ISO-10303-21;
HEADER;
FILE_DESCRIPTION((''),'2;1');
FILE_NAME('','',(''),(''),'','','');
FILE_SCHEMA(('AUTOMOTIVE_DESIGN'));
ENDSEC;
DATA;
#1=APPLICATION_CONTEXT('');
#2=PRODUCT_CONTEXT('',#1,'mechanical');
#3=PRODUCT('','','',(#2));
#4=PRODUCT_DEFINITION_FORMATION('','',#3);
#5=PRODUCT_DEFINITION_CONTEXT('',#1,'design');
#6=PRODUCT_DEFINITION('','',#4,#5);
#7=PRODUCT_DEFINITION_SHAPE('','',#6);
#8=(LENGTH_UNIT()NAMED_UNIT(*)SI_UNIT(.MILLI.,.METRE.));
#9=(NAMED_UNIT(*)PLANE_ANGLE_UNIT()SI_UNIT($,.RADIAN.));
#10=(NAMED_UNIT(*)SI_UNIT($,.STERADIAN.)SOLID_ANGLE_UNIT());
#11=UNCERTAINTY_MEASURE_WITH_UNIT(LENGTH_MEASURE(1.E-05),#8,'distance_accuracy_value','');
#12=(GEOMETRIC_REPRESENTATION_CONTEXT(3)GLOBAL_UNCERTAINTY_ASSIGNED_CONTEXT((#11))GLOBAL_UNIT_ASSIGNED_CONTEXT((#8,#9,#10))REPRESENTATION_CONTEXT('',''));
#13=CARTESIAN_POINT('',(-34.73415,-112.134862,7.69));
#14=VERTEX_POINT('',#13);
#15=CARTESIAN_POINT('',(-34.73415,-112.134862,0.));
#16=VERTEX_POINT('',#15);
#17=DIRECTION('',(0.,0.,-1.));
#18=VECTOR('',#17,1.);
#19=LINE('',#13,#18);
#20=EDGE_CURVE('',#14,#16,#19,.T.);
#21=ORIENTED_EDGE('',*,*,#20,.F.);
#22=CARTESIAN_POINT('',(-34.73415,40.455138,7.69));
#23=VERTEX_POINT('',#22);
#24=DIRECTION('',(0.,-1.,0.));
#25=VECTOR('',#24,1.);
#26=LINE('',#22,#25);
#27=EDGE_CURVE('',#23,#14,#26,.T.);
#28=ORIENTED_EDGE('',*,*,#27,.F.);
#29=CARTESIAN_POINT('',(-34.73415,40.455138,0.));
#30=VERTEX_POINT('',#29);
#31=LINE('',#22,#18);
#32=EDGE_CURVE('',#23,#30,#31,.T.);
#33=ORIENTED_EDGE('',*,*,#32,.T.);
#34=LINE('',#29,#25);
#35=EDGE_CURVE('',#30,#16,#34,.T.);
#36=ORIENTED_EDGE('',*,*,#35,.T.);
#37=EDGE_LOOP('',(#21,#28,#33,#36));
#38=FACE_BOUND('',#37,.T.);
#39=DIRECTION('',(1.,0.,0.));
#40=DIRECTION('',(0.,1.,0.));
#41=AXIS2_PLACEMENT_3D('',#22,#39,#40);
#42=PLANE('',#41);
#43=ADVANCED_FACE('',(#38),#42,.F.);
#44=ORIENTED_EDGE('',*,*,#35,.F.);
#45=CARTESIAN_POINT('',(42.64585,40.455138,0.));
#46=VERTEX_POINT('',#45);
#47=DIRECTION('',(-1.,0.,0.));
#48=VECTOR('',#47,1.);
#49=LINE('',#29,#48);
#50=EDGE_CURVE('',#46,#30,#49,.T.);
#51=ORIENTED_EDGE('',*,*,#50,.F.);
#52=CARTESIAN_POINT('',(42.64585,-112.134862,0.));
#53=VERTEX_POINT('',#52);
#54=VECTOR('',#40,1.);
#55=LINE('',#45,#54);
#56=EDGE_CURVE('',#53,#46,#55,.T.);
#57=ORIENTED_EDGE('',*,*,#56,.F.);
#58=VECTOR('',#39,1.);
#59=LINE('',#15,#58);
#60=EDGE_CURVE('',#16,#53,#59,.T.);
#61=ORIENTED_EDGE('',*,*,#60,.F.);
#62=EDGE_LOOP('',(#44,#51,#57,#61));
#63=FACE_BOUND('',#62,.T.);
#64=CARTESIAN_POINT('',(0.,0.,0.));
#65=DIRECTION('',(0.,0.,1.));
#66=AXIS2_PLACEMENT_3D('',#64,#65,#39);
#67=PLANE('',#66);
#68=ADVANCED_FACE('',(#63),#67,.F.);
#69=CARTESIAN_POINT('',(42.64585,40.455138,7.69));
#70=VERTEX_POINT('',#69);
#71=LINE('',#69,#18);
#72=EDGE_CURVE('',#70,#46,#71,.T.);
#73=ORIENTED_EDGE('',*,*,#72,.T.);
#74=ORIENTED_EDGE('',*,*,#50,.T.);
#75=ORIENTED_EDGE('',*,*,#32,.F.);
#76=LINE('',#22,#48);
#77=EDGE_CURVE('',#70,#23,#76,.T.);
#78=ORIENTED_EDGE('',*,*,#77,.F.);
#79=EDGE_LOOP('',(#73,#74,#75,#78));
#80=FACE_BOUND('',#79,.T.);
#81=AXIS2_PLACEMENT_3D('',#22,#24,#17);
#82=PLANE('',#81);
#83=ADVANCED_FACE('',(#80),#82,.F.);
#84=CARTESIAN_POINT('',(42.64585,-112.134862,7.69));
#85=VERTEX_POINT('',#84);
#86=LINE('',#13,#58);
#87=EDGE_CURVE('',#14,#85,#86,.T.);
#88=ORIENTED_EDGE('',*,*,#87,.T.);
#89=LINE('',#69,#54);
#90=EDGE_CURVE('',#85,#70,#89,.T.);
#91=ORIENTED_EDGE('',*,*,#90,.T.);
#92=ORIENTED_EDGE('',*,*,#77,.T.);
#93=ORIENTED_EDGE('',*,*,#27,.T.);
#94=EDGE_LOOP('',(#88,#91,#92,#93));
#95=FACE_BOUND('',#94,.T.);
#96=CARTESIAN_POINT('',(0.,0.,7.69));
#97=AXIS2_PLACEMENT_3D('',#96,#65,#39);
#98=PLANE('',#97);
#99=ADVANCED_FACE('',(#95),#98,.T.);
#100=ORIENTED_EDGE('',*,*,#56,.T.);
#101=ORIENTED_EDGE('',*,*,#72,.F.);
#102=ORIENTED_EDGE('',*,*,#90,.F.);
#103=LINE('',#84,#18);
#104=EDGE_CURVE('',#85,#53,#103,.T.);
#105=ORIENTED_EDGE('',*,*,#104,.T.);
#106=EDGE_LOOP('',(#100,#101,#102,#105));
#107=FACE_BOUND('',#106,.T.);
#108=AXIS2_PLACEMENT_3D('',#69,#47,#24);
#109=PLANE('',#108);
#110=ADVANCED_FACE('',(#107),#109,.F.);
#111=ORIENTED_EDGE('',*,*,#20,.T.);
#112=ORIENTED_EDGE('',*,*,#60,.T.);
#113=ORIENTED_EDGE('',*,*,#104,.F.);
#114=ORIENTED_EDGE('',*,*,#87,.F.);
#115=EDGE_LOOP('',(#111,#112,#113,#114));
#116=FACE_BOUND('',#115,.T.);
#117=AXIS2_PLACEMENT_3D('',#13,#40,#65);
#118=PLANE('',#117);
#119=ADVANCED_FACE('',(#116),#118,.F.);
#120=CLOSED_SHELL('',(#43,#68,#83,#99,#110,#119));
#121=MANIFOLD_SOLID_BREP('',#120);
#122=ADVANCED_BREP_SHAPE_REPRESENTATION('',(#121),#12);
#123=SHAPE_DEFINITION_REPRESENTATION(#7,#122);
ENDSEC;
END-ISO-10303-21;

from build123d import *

# Parameters (mm, degrees)
SKETCH_1_W      = 77.38
SKETCH_1_H      = 152.59
EXTRUDE_1_DEPTH = 7.69


with BuildPart() as part:
    # ｽｹｯﾁ1 → ﾎﾞｽ - 押し出し1 (new body)
    with BuildSketch(Plane.XY):
        with Locations((3.955849802, -35.83986166)):
            Rectangle(SKETCH_1_W, SKETCH_1_H)
    extrude(amount=EXTRUDE_1_DEPTH)


solid = part.part
